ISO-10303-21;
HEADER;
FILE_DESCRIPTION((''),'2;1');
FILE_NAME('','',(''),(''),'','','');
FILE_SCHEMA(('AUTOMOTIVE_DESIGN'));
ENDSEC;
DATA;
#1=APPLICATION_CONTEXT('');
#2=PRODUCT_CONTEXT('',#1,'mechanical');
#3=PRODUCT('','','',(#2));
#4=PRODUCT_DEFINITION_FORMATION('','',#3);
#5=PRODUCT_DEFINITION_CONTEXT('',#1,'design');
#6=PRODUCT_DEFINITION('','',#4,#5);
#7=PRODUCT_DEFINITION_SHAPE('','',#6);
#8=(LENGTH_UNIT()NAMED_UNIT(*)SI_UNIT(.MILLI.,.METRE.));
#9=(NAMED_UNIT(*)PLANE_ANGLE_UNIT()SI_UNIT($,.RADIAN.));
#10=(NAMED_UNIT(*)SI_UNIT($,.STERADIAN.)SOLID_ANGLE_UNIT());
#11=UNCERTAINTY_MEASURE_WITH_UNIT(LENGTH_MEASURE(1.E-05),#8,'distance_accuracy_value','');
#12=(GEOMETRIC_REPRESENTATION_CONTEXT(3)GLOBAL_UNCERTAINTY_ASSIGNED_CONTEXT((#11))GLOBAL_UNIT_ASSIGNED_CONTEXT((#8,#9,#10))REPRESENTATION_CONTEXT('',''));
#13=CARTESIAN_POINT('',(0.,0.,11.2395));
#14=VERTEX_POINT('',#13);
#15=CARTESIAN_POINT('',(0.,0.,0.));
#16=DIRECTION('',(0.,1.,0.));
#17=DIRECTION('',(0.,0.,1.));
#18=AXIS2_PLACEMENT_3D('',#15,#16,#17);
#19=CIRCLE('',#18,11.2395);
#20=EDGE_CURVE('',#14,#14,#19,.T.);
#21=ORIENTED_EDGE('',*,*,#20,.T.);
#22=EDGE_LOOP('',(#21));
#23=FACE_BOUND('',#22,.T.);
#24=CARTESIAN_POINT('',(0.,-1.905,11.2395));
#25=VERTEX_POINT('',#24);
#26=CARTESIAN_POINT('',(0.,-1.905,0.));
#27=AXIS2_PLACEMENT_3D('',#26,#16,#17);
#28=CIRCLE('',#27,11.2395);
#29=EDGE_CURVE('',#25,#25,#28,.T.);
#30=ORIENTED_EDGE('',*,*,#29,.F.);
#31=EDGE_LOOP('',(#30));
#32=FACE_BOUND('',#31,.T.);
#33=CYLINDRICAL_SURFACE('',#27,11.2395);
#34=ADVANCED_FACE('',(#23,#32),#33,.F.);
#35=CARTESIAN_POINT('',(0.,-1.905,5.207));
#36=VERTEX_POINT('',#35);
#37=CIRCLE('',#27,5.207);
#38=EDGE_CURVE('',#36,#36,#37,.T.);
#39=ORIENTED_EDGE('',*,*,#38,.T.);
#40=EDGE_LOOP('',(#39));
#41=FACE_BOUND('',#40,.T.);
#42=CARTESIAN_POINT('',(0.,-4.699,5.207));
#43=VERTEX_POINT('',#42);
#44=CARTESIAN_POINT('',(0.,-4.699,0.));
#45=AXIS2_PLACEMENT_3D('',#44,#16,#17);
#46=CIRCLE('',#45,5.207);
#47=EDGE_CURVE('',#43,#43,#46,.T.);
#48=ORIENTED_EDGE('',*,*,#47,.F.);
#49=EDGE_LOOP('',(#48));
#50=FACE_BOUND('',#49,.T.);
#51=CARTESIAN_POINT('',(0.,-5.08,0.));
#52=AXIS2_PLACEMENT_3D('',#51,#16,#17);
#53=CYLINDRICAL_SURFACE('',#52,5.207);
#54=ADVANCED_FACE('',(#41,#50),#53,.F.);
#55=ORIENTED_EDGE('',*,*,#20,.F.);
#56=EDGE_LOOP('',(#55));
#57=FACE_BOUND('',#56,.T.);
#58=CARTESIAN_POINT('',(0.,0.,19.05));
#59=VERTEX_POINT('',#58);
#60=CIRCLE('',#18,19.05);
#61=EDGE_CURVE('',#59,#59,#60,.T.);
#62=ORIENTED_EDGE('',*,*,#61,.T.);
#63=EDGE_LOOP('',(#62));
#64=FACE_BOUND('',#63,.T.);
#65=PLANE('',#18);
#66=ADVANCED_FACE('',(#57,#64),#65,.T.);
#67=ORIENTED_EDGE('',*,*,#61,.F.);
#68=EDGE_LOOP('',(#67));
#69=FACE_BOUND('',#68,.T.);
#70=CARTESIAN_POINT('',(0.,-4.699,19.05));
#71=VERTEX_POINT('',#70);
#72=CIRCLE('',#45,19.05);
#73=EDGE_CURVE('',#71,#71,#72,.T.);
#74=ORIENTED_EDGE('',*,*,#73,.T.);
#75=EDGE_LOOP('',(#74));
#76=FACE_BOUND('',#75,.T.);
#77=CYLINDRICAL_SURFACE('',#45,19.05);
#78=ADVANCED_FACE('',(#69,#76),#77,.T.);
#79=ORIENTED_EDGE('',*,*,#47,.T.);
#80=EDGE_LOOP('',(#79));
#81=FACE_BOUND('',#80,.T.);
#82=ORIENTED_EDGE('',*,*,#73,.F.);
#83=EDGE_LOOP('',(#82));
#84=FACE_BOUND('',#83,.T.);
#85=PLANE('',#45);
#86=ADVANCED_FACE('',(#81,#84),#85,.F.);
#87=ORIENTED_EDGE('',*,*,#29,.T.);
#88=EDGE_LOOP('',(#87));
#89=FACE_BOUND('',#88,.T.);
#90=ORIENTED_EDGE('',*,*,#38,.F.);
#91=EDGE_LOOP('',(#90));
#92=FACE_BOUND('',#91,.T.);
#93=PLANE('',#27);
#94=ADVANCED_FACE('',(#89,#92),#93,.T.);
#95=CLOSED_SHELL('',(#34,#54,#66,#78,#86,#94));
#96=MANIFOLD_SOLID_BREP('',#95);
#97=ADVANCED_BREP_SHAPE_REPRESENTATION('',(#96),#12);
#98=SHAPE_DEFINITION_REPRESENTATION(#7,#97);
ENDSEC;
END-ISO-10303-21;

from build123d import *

# Parameters (mm, degrees)
SKETCH1_R           = 19.05
BOSS_EXTRUDE1_DEPTH = 4.699
SKETCH2_R           = 11.2395
CUT_EXTRUDE1_DEPTH  = 1.905
SKETCH3_R           = 5.207
CUT_EXTRUDE2_DEPTH  = 3.175


with BuildPart() as part:
    # Sketch1 → Boss-Extrude1 (new body)
    with BuildSketch(Plane(origin=(0, 0, 0), x_dir=(1, 0, 0), z_dir=(0, 1, 0))):
        Circle(SKETCH1_R)
    extrude(amount=-BOSS_EXTRUDE1_DEPTH)

    # Sketch2 → Cut-Extrude1 (cut)
    with BuildSketch(Plane(origin=(0, 0, 0), x_dir=(1, 0, 0), z_dir=(0, 1, 0))):
        Circle(SKETCH2_R)
    extrude(amount=-CUT_EXTRUDE1_DEPTH, mode=Mode.SUBTRACT)

    # Sketch3 → Cut-Extrude2 (cut)
    with BuildSketch(Plane(origin=(0, -1.905, 0), x_dir=(1, 0, 0), z_dir=(0, 1, 0))):
        Circle(SKETCH3_R)
    extrude(amount=-CUT_EXTRUDE2_DEPTH, mode=Mode.SUBTRACT)


solid = part.part
